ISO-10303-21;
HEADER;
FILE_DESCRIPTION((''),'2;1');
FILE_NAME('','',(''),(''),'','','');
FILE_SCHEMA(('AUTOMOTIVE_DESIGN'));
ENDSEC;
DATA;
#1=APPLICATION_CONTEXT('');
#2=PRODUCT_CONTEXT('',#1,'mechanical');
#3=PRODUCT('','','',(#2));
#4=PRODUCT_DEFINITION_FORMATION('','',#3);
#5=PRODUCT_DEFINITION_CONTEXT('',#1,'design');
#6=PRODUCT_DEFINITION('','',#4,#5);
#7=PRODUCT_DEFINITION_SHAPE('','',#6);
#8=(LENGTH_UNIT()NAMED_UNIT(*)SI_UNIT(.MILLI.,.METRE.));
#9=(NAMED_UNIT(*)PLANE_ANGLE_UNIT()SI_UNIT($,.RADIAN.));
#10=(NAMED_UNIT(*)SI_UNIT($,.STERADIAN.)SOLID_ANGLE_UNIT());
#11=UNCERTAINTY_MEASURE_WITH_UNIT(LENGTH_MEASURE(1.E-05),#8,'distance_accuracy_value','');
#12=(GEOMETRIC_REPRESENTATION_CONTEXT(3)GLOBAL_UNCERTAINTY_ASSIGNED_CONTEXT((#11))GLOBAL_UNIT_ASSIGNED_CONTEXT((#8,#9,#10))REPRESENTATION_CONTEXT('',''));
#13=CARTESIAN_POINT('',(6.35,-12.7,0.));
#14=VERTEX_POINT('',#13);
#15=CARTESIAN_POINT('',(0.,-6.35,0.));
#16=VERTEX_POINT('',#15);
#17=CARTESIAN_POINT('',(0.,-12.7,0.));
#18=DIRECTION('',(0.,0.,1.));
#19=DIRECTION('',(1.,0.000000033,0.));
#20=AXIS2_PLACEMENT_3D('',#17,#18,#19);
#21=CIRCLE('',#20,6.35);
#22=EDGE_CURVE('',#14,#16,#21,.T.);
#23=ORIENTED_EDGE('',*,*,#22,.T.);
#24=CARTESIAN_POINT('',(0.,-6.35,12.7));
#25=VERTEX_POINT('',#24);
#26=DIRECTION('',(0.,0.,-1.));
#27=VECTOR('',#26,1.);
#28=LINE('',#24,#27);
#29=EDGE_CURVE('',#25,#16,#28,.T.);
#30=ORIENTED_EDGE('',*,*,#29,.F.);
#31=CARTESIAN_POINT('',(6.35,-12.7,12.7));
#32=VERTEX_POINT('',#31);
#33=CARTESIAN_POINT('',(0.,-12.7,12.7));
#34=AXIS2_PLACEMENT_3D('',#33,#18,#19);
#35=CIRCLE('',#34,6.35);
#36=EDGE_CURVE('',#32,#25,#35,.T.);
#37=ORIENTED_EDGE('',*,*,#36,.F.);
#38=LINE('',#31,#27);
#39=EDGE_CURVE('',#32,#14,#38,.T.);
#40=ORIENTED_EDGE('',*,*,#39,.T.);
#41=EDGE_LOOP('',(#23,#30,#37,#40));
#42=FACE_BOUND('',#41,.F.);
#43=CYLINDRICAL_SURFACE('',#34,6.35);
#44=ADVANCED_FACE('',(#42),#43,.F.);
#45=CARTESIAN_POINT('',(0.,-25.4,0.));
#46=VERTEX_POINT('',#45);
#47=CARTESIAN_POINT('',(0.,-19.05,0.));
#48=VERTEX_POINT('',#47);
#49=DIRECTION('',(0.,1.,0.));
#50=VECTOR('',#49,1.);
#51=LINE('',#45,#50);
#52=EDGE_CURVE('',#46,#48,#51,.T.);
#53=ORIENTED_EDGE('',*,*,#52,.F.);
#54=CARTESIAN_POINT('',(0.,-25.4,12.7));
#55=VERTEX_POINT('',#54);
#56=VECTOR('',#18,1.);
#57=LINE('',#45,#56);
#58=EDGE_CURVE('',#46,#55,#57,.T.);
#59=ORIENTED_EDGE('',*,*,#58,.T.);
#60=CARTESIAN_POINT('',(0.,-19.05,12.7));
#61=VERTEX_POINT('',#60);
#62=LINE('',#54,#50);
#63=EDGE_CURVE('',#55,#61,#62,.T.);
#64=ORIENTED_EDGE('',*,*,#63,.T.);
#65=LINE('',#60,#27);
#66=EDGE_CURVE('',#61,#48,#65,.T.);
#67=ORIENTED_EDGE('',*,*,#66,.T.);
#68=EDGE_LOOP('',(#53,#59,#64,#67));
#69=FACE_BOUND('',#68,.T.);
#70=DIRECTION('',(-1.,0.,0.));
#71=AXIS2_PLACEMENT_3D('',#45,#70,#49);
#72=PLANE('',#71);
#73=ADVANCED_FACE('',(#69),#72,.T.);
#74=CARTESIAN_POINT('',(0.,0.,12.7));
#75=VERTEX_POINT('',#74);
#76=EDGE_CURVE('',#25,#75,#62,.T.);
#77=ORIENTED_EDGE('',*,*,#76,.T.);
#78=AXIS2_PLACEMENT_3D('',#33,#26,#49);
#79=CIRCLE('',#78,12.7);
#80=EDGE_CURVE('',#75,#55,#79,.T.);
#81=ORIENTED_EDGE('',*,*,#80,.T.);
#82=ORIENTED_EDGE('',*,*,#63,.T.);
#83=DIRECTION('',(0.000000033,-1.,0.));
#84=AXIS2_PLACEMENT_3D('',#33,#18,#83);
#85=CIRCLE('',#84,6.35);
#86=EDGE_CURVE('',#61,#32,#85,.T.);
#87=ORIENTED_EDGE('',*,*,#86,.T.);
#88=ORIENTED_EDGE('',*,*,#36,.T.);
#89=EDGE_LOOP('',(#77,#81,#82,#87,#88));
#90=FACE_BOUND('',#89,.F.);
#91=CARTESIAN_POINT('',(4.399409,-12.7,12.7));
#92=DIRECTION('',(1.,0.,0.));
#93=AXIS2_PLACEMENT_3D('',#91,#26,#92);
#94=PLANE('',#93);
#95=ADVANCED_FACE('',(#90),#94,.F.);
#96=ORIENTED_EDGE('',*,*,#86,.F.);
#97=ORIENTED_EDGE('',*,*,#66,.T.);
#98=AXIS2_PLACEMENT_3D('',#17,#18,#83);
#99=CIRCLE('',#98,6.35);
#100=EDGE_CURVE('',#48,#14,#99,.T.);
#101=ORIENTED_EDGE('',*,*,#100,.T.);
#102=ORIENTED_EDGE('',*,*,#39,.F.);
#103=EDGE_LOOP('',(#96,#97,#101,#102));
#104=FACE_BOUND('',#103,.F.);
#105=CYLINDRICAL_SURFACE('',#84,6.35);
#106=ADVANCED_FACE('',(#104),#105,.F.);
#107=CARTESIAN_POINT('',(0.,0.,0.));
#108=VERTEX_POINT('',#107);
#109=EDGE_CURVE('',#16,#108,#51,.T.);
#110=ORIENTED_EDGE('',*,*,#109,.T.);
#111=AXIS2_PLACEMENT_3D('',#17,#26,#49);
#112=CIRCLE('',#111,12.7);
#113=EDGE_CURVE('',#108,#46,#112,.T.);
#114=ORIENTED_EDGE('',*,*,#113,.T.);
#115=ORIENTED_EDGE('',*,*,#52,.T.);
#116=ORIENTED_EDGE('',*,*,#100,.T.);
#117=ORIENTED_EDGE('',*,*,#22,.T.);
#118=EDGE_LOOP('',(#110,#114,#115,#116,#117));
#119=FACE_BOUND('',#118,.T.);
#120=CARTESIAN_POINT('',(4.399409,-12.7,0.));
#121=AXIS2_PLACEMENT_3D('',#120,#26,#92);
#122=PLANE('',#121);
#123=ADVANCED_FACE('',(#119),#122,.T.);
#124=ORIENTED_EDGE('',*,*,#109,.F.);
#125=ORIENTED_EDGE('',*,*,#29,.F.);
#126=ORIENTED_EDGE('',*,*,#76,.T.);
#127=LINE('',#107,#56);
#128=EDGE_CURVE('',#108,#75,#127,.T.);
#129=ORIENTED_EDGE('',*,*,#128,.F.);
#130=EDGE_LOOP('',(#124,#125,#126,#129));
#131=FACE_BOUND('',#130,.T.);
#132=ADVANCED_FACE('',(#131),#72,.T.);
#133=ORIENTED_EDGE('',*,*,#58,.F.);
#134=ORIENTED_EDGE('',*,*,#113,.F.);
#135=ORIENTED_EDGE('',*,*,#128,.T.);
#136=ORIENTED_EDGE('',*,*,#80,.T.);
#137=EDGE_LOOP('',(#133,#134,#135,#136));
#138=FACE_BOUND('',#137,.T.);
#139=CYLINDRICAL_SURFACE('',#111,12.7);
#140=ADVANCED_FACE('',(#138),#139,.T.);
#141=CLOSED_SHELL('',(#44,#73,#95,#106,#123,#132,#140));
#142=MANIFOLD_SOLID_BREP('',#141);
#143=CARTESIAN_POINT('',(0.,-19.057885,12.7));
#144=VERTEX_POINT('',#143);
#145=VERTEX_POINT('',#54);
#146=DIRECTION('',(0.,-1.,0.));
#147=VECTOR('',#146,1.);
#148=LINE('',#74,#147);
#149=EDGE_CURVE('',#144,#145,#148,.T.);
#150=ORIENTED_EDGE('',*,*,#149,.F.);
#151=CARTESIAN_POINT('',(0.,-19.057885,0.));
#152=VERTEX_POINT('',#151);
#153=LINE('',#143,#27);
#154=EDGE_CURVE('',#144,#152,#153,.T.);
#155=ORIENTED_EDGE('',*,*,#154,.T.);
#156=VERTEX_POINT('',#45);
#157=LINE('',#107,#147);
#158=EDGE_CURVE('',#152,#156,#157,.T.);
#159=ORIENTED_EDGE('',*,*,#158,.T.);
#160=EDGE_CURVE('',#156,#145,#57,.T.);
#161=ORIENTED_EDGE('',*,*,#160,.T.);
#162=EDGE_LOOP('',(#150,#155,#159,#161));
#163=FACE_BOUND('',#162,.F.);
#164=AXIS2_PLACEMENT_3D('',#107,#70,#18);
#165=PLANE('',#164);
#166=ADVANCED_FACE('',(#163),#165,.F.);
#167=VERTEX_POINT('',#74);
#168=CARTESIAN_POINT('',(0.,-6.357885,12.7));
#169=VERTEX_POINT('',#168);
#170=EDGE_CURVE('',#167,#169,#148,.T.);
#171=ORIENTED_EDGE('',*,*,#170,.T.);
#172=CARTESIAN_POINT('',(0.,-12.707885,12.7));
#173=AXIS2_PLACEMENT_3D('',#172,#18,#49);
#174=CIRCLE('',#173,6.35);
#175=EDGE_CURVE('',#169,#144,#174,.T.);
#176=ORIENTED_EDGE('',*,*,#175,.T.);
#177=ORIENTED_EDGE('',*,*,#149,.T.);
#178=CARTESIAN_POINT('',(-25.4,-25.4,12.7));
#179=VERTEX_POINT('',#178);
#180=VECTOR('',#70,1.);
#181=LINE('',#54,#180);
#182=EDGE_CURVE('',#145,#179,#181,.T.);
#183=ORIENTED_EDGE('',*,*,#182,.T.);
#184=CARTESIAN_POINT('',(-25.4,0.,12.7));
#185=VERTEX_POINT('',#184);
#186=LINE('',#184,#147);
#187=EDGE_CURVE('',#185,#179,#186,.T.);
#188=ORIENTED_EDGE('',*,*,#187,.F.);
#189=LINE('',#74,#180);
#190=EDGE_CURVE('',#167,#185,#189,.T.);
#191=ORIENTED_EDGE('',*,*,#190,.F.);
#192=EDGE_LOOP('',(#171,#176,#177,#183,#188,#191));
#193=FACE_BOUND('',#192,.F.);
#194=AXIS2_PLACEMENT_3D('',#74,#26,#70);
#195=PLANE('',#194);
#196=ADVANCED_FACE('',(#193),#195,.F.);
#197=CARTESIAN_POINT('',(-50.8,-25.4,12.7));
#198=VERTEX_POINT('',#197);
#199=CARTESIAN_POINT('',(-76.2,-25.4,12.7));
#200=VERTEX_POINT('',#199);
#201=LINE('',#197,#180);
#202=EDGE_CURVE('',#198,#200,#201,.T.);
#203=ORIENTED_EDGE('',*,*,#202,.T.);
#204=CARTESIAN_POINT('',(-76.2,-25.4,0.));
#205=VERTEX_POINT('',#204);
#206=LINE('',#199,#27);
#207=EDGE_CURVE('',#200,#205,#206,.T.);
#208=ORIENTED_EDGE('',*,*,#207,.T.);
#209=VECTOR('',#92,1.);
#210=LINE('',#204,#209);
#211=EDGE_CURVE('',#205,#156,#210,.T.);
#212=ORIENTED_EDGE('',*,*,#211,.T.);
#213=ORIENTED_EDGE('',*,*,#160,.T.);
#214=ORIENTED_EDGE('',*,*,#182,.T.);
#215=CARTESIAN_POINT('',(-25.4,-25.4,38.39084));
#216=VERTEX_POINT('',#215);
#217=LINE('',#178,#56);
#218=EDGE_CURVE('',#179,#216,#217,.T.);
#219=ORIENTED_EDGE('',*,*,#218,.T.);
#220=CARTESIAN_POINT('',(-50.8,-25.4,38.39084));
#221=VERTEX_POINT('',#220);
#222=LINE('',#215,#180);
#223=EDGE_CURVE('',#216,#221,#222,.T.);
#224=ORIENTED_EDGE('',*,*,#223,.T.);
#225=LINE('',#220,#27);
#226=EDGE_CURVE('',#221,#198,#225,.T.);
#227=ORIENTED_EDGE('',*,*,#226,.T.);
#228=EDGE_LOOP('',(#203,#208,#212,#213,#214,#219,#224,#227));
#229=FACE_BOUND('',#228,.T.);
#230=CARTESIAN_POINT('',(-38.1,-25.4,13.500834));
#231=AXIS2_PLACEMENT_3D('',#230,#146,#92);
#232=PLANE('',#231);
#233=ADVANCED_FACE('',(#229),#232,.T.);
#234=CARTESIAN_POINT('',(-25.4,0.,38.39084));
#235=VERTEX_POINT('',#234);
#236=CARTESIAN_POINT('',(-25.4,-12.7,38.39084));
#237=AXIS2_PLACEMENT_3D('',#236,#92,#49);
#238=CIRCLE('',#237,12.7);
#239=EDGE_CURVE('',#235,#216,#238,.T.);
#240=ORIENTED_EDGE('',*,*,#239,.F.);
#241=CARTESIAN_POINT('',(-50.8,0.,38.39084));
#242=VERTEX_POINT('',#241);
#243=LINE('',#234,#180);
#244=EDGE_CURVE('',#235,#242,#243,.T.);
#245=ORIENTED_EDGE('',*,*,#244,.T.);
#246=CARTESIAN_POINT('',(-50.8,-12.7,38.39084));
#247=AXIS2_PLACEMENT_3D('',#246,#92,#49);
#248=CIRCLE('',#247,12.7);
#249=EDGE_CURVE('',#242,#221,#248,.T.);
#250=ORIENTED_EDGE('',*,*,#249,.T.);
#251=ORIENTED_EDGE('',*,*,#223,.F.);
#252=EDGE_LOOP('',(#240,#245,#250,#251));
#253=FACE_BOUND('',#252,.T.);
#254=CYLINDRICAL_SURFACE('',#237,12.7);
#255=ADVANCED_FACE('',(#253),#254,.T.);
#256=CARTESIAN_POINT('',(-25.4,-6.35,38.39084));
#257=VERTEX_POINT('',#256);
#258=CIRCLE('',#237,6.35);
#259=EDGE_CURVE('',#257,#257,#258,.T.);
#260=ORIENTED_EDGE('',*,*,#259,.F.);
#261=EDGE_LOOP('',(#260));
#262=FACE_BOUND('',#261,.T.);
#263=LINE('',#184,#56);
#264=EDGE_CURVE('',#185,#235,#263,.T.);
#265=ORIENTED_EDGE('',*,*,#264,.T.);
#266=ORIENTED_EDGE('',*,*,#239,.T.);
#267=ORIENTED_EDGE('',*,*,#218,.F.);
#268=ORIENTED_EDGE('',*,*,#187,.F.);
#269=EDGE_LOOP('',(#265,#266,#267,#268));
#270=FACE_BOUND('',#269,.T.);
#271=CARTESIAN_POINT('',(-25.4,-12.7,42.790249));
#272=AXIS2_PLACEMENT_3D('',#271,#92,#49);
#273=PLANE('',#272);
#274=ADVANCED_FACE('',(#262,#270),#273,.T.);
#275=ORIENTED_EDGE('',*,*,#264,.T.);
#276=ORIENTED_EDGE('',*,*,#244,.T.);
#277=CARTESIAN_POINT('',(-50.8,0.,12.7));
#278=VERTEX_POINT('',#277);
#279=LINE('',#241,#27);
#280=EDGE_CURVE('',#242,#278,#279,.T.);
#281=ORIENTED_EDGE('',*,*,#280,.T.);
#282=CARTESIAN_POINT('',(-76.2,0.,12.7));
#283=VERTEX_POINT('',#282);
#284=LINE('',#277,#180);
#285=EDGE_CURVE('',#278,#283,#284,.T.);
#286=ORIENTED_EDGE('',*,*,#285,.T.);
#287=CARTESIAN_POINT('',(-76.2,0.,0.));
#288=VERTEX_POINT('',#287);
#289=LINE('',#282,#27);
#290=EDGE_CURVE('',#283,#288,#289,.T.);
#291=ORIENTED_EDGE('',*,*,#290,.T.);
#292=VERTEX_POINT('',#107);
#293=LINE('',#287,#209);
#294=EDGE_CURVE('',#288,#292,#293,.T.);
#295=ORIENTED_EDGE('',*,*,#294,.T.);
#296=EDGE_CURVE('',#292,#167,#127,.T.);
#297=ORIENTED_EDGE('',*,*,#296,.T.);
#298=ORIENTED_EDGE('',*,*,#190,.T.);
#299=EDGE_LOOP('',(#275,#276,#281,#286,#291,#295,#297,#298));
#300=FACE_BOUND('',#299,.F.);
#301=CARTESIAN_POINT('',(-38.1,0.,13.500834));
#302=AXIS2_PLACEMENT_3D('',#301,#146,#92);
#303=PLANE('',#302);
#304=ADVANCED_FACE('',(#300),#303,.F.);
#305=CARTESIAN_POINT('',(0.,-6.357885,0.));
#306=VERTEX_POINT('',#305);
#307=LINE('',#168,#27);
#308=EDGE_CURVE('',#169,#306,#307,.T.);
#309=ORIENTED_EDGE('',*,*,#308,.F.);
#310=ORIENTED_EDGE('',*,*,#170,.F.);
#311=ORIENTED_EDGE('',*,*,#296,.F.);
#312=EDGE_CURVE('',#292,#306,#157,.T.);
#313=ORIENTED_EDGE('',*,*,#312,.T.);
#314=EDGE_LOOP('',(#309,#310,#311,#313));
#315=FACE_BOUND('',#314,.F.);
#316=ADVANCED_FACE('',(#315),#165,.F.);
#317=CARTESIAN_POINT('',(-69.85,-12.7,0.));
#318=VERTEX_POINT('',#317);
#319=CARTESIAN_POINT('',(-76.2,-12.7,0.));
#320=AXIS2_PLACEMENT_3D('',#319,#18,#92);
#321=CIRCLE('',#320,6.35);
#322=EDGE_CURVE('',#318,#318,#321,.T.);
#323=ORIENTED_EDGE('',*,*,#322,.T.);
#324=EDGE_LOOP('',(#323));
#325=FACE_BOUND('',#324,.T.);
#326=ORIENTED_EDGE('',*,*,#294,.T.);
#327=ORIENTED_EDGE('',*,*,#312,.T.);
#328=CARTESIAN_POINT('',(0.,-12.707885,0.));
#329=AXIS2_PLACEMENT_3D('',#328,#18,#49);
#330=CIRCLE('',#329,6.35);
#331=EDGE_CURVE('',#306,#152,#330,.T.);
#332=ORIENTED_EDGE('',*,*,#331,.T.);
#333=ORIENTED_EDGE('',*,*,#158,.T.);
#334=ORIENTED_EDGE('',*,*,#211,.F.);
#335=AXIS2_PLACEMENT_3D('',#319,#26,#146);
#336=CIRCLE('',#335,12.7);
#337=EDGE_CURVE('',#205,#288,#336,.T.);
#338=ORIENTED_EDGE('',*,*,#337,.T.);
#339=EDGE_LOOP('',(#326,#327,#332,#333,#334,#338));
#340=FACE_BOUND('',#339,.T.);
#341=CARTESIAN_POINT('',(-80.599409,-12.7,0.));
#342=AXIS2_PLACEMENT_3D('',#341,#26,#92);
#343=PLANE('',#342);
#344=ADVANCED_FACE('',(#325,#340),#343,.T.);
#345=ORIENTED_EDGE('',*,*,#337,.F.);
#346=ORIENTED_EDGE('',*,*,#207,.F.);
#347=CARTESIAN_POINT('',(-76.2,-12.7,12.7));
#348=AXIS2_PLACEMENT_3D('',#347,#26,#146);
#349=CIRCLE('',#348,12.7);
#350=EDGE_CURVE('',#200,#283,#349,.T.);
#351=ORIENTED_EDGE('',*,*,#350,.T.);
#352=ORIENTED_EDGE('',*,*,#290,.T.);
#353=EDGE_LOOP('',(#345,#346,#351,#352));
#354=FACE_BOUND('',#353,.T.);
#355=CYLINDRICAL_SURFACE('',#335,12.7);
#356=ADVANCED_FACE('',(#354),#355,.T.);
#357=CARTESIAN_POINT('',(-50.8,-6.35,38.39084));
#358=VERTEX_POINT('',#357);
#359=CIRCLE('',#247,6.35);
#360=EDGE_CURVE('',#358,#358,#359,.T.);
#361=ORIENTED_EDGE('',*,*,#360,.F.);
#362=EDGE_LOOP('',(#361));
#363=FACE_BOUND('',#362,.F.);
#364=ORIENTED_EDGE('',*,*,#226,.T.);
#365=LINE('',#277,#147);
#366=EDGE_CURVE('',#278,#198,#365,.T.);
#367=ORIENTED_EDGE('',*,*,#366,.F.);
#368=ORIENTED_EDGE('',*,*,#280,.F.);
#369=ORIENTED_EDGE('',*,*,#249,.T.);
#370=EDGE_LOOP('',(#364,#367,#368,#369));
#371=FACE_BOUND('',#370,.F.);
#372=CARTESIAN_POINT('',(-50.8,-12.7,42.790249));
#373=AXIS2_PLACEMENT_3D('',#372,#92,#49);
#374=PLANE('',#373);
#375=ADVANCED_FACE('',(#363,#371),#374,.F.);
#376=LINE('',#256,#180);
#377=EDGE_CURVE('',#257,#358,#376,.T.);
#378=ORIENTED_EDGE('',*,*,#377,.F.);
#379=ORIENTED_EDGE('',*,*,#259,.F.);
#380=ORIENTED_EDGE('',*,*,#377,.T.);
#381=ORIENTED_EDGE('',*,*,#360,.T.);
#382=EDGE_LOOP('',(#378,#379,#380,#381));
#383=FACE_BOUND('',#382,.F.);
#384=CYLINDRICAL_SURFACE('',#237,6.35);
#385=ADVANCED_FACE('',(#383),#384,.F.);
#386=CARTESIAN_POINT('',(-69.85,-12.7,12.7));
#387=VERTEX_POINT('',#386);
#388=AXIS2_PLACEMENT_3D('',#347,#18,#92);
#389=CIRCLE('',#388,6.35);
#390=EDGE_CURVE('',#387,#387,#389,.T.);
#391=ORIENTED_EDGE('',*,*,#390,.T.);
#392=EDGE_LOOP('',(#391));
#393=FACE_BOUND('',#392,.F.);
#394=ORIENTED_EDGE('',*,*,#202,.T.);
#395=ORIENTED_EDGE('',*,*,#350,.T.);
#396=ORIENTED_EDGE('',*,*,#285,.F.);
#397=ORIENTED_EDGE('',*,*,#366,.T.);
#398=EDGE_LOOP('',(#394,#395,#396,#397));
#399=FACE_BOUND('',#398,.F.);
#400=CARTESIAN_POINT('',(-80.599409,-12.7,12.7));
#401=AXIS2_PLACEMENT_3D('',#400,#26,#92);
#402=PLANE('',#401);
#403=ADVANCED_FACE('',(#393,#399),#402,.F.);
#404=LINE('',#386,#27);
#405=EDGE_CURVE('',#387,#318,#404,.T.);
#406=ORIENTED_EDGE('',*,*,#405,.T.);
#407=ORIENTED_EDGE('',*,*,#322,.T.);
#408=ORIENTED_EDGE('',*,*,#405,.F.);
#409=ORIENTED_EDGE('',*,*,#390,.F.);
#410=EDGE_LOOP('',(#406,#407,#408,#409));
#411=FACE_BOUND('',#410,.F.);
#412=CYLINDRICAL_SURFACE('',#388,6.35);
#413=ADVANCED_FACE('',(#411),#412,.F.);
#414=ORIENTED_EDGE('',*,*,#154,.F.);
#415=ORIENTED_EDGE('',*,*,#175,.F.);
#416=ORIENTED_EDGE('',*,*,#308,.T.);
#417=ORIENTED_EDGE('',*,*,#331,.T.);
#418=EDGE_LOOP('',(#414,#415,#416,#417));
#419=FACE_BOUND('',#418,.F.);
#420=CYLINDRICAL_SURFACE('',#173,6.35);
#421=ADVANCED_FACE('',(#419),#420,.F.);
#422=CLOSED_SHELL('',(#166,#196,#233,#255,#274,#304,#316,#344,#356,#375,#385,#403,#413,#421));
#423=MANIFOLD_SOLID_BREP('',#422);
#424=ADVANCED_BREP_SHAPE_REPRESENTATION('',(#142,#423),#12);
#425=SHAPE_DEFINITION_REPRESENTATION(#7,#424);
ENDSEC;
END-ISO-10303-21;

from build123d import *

# Parameters (mm, degrees)
F1_DEPTH  = 25.4
F3_DEPTH  = 12.7
F5_DEPTH  = 12.7
F7_DEPTH  = 12.701
F9_DEPTH  = 12.701
F10_R     = 6.35
F11_DEPTH = 12.701
F13_DEPTH = 25.4
F14_R     = 6.35
F15_DEPTH = 63.501


with BuildPart() as f1:
    # F0 (on Front) → F1 (new body)
    with BuildSketch(Plane.XZ):
        Polygon((-76.2, 12.7), (-76.2, 0), (0, 0), (0, 12.7), (-25.4, 12.7), (-25.4, 38.39084), (-50.8, 38.39084), (-50.8, 12.7), align=None)
    extrude(amount=F1_DEPTH)

    # F2 (on face) → F3 (join)
    with BuildSketch(Plane(origin=(0, 0, 0), x_dir=(1, 0, 0), z_dir=(0, 0, -1))):
        with BuildLine():
            Line((-76.2, 0), (-76.2, 25.4))
            ThreePointArc((-76.2, 25.4), (-88.9, 12.7), (-76.2, 0))
        make_face()
    extrude(amount=-F3_DEPTH)

    # F8 (on face) → F9 (cut, through all)
    with BuildSketch(Plane.XY.offset(12.7)):
        with BuildLine():
            Line((0, -19.057885), (0, -6.357885))
            ThreePointArc((0, -6.357885), (-6.35, -12.707885), (0, -19.057885))
        make_face()
    extrude(amount=-F9_DEPTH, mode=Mode.SUBTRACT)

    # F10 (on face) → F11 (cut, through all)
    with BuildSketch(Plane.XY.offset(12.7)):
        with Locations((-76.2, -12.7)):
            Circle(F10_R)
    extrude(amount=-F11_DEPTH, mode=Mode.SUBTRACT)

    # F12 (on face) → F13 (join)
    with BuildSketch(Plane.YZ.offset(-25.4)):
        with BuildLine():
            Line((-25.4, 38.39084), (0, 38.39084))
            ThreePointArc((0, 38.39084), (-12.7, 51.09084), (-25.4, 38.39084))
        make_face()
    extrude(amount=-F13_DEPTH)

    # F14 (on face) → F15 (cut, through all)
    with BuildSketch(Plane.YZ.offset(-25.4)):
        with Locations((-12.7, 38.39084)):
            Circle(F14_R)
    extrude(amount=-F15_DEPTH, mode=Mode.SUBTRACT)


with BuildPart() as f5:
    # F4 (on face) → F5 (new body)
    with BuildSketch(Plane(origin=(0, 0, 0), x_dir=(1, 0, 0), z_dir=(0, 0, -1))):
        with BuildLine():
            Line((0, 25.4), (0, 0))
            ThreePointArc((0, 0), (12.7, 12.7), (0, 25.4))
        make_face()
    extrude(amount=-F5_DEPTH)

    # F6 (on face) → F7 (cut, through all)
    with BuildSketch(Plane.XY.offset(12.7)):
        with BuildLine():
            ThreePointArc((0, -19.05), (4.490128, -17.190128), (6.35, -12.7))
            ThreePointArc((6.35, -12.7), (4.490128, -8.209872), (0, -6.35))
            Line((0, -6.35), (0, -19.05))
        make_face()
    extrude(amount=-F7_DEPTH, mode=Mode.SUBTRACT)


solid = Compound([f1.part, f5.part])
